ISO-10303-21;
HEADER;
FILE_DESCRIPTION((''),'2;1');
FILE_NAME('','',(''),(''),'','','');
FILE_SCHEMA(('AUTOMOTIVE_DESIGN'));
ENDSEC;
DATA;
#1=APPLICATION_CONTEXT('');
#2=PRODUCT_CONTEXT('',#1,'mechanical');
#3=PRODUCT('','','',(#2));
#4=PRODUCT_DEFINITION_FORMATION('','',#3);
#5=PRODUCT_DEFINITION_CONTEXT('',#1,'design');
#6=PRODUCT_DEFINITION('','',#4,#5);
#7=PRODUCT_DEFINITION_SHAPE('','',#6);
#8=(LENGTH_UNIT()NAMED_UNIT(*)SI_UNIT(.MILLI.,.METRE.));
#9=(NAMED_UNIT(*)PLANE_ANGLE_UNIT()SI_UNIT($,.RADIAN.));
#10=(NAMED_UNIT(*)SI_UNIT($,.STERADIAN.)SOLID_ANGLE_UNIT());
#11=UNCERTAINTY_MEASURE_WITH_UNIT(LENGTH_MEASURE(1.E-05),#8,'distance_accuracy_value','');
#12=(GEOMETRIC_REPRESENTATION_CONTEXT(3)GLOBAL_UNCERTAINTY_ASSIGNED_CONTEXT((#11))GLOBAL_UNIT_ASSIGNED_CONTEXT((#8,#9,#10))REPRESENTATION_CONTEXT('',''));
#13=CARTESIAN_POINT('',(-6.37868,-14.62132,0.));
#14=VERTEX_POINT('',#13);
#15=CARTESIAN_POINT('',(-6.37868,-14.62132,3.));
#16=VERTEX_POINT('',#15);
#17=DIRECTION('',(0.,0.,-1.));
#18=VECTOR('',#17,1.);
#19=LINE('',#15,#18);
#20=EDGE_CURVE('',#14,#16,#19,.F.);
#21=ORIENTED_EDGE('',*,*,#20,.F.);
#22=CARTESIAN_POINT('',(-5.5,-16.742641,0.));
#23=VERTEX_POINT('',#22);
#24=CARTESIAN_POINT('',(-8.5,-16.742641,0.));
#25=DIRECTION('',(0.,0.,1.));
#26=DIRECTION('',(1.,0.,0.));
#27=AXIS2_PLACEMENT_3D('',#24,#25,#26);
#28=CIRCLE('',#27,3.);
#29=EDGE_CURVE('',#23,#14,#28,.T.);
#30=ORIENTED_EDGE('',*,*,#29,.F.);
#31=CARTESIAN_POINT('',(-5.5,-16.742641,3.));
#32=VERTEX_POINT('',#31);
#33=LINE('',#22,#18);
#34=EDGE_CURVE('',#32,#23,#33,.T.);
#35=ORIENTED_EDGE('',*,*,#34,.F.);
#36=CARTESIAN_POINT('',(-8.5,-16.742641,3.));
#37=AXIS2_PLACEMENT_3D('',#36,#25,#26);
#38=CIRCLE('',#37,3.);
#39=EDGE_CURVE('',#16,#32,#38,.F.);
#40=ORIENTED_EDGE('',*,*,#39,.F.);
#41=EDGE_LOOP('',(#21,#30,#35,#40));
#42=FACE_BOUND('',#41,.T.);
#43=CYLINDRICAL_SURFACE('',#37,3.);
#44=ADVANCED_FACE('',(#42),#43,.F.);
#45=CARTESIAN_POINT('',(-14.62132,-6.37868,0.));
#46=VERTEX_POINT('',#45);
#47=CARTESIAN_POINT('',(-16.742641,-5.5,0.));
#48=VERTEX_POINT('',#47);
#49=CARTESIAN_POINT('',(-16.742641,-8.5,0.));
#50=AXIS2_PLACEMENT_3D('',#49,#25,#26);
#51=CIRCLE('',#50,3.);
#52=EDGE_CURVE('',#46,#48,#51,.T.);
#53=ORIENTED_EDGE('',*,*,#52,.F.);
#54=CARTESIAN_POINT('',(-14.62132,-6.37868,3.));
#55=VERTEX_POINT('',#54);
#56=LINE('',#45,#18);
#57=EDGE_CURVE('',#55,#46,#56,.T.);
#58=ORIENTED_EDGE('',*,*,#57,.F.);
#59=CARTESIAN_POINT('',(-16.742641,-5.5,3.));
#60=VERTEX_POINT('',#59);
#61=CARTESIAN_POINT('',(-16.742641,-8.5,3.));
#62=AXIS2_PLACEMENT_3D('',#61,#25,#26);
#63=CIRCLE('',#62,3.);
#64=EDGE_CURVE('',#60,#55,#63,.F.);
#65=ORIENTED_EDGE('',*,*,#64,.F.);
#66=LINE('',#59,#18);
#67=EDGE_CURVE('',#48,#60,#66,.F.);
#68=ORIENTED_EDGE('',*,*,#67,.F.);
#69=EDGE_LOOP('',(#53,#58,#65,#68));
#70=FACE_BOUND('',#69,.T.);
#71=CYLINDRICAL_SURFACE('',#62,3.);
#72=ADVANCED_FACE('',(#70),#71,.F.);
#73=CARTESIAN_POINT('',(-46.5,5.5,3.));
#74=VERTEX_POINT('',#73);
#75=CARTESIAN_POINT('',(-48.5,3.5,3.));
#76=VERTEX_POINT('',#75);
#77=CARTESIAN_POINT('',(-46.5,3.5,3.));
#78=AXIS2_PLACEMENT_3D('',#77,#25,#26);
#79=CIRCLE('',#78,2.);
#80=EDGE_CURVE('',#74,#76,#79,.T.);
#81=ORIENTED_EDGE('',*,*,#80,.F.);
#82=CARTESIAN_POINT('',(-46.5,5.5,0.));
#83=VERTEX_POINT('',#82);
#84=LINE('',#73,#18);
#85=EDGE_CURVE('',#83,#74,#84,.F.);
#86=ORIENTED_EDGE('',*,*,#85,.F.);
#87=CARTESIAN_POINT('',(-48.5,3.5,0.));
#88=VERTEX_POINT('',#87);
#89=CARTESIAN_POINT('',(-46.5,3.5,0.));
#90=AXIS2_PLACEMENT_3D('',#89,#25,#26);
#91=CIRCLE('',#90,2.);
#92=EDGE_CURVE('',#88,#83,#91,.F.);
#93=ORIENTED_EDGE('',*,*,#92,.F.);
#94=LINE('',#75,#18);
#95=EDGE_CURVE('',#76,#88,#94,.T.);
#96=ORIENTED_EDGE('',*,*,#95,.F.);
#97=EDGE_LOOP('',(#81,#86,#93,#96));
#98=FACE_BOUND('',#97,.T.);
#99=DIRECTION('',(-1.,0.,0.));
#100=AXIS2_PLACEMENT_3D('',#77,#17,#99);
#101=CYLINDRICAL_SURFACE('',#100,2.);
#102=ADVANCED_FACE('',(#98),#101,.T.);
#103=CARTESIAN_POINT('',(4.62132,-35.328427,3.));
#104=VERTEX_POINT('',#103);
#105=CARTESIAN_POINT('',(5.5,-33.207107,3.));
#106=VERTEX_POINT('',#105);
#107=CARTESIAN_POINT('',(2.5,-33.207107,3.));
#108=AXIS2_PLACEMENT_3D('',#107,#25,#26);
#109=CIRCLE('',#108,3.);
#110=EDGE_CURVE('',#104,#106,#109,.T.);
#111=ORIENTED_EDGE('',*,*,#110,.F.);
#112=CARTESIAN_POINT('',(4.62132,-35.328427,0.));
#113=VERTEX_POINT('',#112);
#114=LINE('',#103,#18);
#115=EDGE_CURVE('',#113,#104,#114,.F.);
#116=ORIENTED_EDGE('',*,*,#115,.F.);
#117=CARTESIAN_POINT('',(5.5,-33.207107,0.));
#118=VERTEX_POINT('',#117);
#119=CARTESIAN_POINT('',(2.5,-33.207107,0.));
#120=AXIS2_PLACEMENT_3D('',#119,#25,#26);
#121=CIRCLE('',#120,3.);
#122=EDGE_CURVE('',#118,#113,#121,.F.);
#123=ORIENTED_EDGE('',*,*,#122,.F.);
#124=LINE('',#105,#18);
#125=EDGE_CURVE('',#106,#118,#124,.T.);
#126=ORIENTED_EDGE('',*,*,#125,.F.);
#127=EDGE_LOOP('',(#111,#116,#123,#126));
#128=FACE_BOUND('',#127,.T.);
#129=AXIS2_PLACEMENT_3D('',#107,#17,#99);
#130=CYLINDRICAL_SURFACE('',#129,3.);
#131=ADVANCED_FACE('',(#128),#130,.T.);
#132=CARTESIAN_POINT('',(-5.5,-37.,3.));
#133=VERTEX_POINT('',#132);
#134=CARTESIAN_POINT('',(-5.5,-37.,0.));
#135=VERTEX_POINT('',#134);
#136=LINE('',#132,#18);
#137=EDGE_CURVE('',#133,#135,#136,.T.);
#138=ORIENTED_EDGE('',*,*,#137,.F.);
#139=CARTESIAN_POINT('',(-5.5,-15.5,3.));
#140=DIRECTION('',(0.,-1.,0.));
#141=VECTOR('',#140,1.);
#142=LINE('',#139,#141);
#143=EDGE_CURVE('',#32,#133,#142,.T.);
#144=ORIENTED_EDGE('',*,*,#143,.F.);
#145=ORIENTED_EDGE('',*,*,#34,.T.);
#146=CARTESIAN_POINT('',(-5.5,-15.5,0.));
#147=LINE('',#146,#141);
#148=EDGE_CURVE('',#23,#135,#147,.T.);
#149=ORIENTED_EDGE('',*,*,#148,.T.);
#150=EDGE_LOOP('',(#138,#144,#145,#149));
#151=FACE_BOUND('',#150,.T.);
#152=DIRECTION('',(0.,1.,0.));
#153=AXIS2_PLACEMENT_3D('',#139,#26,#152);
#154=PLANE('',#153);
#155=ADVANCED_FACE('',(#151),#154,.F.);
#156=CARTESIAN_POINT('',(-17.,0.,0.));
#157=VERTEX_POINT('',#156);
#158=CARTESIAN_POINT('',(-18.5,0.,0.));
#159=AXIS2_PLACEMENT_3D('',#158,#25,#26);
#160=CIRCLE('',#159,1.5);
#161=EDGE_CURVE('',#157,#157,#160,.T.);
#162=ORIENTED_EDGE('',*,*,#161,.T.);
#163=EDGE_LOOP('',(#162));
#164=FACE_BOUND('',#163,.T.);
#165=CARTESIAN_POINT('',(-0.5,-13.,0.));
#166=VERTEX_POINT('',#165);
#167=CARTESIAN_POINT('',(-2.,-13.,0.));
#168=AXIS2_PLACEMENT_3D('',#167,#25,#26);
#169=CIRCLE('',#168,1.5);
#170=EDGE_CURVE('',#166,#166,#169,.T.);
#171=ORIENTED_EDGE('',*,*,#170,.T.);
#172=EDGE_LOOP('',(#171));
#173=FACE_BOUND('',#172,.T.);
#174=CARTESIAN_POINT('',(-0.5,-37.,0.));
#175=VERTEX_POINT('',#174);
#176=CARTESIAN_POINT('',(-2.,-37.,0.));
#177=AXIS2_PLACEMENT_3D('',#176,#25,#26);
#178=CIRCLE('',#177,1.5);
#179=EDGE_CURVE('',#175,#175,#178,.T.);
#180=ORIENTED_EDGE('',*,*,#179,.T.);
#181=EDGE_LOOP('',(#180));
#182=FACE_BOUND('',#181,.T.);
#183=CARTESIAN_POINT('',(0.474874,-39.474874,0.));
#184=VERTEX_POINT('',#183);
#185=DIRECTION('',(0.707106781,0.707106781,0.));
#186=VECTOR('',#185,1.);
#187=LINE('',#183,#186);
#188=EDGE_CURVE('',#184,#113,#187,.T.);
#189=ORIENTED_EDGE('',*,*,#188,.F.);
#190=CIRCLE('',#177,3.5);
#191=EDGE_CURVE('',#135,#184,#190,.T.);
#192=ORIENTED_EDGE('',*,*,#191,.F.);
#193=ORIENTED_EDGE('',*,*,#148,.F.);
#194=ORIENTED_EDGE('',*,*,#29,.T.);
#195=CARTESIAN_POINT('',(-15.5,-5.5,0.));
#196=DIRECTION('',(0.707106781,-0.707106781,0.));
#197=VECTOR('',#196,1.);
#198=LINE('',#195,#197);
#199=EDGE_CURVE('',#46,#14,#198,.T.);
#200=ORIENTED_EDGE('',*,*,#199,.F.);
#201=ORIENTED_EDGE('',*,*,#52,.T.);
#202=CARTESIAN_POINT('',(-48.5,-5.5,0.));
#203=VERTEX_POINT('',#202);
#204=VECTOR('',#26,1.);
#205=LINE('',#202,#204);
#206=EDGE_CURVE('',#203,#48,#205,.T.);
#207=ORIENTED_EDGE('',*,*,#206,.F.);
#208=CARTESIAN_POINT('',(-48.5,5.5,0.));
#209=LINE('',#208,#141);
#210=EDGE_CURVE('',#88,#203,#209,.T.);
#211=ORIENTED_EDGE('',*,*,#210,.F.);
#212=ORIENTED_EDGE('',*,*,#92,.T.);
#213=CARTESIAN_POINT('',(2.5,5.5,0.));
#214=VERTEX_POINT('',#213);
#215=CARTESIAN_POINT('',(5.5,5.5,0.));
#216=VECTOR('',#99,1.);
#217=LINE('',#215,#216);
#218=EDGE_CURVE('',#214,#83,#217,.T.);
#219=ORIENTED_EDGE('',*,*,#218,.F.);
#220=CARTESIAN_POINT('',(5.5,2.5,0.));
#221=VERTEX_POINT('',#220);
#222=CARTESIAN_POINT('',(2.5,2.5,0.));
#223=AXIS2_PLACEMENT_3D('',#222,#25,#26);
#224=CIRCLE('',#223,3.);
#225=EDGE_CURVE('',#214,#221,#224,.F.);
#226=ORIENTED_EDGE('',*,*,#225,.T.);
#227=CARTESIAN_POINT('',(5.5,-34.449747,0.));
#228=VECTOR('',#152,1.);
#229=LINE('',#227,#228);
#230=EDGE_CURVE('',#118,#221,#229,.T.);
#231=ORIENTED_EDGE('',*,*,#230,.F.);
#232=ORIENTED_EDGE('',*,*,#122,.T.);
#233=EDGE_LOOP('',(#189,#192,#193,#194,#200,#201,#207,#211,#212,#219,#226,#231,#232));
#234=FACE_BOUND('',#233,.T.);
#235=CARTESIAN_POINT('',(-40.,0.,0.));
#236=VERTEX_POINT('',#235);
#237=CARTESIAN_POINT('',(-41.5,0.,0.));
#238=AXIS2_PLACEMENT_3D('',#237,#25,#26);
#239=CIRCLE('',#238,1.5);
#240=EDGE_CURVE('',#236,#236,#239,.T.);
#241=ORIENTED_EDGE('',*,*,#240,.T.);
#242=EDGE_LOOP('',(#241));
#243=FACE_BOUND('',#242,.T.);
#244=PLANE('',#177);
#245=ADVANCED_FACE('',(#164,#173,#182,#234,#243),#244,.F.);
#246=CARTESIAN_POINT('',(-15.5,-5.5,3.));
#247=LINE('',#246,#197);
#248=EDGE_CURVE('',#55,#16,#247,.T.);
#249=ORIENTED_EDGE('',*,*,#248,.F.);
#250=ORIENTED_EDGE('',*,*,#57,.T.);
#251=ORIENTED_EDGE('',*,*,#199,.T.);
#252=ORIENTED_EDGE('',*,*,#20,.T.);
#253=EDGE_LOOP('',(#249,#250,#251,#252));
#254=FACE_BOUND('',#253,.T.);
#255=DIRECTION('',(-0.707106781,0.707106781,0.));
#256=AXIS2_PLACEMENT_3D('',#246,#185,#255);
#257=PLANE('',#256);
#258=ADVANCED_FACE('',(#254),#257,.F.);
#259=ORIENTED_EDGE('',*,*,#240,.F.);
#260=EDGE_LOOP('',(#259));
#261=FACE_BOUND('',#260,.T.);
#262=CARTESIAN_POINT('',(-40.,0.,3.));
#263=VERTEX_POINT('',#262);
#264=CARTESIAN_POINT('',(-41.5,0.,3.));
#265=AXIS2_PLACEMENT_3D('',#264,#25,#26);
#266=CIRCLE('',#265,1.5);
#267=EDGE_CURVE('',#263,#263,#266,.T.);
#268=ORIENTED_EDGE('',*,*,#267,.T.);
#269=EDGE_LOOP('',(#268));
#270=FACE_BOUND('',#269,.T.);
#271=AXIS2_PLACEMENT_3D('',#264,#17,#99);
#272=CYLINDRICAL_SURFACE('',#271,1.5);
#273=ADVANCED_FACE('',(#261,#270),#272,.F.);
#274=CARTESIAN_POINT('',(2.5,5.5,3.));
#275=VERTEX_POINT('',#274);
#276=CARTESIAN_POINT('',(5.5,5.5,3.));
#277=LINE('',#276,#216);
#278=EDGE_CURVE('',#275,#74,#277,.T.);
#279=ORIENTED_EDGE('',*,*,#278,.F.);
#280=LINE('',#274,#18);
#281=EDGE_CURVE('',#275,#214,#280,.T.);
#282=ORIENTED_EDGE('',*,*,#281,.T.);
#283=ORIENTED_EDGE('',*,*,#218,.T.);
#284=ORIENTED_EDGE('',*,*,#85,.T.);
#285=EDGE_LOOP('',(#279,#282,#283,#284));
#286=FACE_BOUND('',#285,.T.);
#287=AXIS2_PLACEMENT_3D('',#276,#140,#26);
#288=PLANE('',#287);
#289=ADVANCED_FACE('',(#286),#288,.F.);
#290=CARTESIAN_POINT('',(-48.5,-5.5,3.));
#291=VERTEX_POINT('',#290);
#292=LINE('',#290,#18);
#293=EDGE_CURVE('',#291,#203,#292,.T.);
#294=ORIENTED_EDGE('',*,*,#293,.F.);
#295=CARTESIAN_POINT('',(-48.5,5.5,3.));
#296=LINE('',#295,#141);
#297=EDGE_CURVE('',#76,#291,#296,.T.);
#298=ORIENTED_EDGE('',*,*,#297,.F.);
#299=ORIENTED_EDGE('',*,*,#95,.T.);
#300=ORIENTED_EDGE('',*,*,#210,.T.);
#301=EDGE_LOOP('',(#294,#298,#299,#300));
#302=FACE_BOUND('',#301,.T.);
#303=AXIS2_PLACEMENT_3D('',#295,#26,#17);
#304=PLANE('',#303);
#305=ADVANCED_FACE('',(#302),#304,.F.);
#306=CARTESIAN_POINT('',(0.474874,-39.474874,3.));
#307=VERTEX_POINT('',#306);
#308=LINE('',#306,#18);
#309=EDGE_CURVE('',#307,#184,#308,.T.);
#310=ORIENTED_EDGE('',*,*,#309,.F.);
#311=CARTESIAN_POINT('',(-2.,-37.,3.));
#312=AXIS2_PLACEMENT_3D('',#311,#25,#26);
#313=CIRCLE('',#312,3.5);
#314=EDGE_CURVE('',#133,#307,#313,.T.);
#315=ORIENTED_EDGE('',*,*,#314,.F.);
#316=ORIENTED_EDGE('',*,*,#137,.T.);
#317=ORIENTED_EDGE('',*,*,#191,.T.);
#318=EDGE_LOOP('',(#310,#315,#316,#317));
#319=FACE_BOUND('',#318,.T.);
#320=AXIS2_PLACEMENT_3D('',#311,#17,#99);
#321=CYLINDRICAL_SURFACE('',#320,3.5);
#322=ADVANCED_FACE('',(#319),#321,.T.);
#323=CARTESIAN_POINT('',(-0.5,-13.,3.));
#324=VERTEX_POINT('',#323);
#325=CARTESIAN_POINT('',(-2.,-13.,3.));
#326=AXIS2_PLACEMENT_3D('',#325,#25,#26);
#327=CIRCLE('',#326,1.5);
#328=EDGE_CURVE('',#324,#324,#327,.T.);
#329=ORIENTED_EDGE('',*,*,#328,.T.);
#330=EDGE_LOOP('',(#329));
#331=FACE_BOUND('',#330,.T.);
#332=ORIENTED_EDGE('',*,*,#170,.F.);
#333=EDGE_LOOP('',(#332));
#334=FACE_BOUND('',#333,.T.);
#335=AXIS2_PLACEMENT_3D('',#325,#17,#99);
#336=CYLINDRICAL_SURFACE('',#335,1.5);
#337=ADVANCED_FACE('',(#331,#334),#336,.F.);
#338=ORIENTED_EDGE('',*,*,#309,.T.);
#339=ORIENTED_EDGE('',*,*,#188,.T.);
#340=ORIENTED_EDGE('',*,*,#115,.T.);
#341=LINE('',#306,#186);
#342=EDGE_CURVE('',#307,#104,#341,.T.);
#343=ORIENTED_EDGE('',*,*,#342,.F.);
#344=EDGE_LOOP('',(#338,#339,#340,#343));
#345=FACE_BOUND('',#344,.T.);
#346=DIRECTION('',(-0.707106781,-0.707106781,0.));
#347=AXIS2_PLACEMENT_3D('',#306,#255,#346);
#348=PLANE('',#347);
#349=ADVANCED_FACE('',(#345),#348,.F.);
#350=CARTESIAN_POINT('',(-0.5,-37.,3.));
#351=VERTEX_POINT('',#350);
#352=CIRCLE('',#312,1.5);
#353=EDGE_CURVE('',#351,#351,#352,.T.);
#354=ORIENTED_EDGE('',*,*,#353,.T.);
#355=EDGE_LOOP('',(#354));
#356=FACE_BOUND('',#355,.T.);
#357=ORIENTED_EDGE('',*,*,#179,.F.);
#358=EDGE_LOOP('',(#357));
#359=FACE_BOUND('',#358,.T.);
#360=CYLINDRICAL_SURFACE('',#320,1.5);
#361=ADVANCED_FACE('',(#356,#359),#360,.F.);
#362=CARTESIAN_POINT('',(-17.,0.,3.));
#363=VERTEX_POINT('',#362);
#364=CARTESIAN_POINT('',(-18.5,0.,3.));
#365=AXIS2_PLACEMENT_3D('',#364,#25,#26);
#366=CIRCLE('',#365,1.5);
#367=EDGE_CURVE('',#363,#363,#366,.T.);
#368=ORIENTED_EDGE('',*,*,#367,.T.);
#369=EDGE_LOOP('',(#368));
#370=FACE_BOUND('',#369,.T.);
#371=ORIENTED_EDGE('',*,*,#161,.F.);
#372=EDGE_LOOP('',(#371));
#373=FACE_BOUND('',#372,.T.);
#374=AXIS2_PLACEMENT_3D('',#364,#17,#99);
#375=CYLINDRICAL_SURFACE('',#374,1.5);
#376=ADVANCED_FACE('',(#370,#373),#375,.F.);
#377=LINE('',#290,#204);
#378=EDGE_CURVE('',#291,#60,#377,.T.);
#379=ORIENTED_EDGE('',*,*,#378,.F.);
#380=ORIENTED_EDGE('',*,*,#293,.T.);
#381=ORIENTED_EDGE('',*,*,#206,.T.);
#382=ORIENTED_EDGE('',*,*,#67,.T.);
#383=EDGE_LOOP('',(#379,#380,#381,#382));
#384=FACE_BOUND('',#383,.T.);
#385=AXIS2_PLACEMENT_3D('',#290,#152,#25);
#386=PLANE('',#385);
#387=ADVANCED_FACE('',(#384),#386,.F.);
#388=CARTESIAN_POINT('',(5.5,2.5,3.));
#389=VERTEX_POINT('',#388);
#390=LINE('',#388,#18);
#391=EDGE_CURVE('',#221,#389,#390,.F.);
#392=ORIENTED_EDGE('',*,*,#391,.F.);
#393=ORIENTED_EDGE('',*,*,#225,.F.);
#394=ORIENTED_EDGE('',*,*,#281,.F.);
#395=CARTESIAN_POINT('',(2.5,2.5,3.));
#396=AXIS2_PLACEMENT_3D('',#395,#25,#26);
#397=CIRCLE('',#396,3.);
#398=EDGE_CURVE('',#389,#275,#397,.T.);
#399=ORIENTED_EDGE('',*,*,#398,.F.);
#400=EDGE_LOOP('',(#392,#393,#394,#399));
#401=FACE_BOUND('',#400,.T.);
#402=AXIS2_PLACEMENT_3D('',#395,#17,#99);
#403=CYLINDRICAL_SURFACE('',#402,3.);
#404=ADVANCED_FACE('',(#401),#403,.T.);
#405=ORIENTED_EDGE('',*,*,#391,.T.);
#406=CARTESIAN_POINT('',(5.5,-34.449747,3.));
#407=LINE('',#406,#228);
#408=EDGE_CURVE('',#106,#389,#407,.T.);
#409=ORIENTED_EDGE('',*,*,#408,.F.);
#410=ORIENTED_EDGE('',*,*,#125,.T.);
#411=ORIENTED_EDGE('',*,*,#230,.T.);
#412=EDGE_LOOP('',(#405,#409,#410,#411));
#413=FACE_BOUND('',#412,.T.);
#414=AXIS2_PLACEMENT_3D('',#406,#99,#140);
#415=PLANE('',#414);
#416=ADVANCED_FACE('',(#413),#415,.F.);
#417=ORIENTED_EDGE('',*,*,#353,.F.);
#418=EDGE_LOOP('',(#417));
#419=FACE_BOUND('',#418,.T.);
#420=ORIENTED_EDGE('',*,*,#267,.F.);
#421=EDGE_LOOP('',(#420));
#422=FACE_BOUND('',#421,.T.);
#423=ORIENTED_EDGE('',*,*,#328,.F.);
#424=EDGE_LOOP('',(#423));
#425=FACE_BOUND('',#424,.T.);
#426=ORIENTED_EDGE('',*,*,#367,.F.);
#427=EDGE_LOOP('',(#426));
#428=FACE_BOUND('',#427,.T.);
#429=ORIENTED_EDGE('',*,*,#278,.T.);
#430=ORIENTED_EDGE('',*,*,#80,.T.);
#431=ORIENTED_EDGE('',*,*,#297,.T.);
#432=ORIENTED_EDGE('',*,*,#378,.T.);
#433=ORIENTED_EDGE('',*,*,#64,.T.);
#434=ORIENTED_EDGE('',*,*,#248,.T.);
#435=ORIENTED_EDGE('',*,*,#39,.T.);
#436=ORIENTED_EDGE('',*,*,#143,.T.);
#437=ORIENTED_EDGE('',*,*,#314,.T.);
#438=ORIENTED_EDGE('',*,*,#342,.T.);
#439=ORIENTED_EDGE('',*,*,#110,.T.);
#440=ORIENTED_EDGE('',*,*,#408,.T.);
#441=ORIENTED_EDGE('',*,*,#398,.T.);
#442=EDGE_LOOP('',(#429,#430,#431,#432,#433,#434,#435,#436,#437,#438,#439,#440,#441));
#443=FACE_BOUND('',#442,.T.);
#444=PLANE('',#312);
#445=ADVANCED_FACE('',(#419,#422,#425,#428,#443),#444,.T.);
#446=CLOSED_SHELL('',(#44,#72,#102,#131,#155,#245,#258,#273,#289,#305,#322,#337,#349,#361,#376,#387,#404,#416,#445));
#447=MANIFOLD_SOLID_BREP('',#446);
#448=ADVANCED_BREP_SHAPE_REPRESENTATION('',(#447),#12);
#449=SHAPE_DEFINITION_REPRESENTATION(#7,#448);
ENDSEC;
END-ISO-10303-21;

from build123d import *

# Parameters (mm, degrees)
SKETCH_1_R         = 1.5
EXTRUDE_1052_DEPTH = 3
FILLET1_R          = 3
FILLET_1_R         = 2


with BuildPart() as part:
    # Эскиз1 → Extrude 1052 (new body)
    with BuildSketch(Plane.XY):
        with BuildLine():
            Line((-48.5, 5.5), (-48.5, -5.5))
            Line((-48.5, -5.5), (-15.5, -5.5))
            Line((-15.5, -5.5), (-5.5, -15.5))
            Line((-5.5, -15.5), (-5.5, -37))
            ThreePointArc((-5.5, -37), (-3.339392013, -40.233578364), (0.474873734, -39.474873734))
            Line((0.474873734, -39.474873734), (5.5, -34.449747468))
            Line((5.5, -34.449747468), (5.5, 5.5))
            Line((5.5, 5.5), (-48.5, 5.5))
        make_face()
        with Locations((-18.5, 0)):
            Circle(SKETCH_1_R, mode=Mode.SUBTRACT)
        with Locations((-41.5, 0)):
            Circle(SKETCH_1_R, mode=Mode.SUBTRACT)
        with Locations((-2, -13)):
            Circle(SKETCH_1_R, mode=Mode.SUBTRACT)
        with Locations((-2, -37)):
            Circle(SKETCH_1_R, mode=Mode.SUBTRACT)
    extrude(amount=EXTRUDE_1052_DEPTH)

    # Fillet1
    fillet1_edges = [part.edges().sort_by_distance(p)[0] for p in [
        (-15.5, -5.5, 1.5),
        (-5.5, -15.5, 1.5),
        (5.5, -34.449747468, 1.5),
        (5.5, 5.5, 1.5),
    ]]
    fillet(fillet1_edges, radius=FILLET1_R)

    # Скругление1
    fillet_1_edges = [part.edges().sort_by_distance(p)[0] for p in [
        (-48.5, 5.5, 1.5),
    ]]
    fillet(fillet_1_edges, radius=FILLET_1_R)


solid = part.part
